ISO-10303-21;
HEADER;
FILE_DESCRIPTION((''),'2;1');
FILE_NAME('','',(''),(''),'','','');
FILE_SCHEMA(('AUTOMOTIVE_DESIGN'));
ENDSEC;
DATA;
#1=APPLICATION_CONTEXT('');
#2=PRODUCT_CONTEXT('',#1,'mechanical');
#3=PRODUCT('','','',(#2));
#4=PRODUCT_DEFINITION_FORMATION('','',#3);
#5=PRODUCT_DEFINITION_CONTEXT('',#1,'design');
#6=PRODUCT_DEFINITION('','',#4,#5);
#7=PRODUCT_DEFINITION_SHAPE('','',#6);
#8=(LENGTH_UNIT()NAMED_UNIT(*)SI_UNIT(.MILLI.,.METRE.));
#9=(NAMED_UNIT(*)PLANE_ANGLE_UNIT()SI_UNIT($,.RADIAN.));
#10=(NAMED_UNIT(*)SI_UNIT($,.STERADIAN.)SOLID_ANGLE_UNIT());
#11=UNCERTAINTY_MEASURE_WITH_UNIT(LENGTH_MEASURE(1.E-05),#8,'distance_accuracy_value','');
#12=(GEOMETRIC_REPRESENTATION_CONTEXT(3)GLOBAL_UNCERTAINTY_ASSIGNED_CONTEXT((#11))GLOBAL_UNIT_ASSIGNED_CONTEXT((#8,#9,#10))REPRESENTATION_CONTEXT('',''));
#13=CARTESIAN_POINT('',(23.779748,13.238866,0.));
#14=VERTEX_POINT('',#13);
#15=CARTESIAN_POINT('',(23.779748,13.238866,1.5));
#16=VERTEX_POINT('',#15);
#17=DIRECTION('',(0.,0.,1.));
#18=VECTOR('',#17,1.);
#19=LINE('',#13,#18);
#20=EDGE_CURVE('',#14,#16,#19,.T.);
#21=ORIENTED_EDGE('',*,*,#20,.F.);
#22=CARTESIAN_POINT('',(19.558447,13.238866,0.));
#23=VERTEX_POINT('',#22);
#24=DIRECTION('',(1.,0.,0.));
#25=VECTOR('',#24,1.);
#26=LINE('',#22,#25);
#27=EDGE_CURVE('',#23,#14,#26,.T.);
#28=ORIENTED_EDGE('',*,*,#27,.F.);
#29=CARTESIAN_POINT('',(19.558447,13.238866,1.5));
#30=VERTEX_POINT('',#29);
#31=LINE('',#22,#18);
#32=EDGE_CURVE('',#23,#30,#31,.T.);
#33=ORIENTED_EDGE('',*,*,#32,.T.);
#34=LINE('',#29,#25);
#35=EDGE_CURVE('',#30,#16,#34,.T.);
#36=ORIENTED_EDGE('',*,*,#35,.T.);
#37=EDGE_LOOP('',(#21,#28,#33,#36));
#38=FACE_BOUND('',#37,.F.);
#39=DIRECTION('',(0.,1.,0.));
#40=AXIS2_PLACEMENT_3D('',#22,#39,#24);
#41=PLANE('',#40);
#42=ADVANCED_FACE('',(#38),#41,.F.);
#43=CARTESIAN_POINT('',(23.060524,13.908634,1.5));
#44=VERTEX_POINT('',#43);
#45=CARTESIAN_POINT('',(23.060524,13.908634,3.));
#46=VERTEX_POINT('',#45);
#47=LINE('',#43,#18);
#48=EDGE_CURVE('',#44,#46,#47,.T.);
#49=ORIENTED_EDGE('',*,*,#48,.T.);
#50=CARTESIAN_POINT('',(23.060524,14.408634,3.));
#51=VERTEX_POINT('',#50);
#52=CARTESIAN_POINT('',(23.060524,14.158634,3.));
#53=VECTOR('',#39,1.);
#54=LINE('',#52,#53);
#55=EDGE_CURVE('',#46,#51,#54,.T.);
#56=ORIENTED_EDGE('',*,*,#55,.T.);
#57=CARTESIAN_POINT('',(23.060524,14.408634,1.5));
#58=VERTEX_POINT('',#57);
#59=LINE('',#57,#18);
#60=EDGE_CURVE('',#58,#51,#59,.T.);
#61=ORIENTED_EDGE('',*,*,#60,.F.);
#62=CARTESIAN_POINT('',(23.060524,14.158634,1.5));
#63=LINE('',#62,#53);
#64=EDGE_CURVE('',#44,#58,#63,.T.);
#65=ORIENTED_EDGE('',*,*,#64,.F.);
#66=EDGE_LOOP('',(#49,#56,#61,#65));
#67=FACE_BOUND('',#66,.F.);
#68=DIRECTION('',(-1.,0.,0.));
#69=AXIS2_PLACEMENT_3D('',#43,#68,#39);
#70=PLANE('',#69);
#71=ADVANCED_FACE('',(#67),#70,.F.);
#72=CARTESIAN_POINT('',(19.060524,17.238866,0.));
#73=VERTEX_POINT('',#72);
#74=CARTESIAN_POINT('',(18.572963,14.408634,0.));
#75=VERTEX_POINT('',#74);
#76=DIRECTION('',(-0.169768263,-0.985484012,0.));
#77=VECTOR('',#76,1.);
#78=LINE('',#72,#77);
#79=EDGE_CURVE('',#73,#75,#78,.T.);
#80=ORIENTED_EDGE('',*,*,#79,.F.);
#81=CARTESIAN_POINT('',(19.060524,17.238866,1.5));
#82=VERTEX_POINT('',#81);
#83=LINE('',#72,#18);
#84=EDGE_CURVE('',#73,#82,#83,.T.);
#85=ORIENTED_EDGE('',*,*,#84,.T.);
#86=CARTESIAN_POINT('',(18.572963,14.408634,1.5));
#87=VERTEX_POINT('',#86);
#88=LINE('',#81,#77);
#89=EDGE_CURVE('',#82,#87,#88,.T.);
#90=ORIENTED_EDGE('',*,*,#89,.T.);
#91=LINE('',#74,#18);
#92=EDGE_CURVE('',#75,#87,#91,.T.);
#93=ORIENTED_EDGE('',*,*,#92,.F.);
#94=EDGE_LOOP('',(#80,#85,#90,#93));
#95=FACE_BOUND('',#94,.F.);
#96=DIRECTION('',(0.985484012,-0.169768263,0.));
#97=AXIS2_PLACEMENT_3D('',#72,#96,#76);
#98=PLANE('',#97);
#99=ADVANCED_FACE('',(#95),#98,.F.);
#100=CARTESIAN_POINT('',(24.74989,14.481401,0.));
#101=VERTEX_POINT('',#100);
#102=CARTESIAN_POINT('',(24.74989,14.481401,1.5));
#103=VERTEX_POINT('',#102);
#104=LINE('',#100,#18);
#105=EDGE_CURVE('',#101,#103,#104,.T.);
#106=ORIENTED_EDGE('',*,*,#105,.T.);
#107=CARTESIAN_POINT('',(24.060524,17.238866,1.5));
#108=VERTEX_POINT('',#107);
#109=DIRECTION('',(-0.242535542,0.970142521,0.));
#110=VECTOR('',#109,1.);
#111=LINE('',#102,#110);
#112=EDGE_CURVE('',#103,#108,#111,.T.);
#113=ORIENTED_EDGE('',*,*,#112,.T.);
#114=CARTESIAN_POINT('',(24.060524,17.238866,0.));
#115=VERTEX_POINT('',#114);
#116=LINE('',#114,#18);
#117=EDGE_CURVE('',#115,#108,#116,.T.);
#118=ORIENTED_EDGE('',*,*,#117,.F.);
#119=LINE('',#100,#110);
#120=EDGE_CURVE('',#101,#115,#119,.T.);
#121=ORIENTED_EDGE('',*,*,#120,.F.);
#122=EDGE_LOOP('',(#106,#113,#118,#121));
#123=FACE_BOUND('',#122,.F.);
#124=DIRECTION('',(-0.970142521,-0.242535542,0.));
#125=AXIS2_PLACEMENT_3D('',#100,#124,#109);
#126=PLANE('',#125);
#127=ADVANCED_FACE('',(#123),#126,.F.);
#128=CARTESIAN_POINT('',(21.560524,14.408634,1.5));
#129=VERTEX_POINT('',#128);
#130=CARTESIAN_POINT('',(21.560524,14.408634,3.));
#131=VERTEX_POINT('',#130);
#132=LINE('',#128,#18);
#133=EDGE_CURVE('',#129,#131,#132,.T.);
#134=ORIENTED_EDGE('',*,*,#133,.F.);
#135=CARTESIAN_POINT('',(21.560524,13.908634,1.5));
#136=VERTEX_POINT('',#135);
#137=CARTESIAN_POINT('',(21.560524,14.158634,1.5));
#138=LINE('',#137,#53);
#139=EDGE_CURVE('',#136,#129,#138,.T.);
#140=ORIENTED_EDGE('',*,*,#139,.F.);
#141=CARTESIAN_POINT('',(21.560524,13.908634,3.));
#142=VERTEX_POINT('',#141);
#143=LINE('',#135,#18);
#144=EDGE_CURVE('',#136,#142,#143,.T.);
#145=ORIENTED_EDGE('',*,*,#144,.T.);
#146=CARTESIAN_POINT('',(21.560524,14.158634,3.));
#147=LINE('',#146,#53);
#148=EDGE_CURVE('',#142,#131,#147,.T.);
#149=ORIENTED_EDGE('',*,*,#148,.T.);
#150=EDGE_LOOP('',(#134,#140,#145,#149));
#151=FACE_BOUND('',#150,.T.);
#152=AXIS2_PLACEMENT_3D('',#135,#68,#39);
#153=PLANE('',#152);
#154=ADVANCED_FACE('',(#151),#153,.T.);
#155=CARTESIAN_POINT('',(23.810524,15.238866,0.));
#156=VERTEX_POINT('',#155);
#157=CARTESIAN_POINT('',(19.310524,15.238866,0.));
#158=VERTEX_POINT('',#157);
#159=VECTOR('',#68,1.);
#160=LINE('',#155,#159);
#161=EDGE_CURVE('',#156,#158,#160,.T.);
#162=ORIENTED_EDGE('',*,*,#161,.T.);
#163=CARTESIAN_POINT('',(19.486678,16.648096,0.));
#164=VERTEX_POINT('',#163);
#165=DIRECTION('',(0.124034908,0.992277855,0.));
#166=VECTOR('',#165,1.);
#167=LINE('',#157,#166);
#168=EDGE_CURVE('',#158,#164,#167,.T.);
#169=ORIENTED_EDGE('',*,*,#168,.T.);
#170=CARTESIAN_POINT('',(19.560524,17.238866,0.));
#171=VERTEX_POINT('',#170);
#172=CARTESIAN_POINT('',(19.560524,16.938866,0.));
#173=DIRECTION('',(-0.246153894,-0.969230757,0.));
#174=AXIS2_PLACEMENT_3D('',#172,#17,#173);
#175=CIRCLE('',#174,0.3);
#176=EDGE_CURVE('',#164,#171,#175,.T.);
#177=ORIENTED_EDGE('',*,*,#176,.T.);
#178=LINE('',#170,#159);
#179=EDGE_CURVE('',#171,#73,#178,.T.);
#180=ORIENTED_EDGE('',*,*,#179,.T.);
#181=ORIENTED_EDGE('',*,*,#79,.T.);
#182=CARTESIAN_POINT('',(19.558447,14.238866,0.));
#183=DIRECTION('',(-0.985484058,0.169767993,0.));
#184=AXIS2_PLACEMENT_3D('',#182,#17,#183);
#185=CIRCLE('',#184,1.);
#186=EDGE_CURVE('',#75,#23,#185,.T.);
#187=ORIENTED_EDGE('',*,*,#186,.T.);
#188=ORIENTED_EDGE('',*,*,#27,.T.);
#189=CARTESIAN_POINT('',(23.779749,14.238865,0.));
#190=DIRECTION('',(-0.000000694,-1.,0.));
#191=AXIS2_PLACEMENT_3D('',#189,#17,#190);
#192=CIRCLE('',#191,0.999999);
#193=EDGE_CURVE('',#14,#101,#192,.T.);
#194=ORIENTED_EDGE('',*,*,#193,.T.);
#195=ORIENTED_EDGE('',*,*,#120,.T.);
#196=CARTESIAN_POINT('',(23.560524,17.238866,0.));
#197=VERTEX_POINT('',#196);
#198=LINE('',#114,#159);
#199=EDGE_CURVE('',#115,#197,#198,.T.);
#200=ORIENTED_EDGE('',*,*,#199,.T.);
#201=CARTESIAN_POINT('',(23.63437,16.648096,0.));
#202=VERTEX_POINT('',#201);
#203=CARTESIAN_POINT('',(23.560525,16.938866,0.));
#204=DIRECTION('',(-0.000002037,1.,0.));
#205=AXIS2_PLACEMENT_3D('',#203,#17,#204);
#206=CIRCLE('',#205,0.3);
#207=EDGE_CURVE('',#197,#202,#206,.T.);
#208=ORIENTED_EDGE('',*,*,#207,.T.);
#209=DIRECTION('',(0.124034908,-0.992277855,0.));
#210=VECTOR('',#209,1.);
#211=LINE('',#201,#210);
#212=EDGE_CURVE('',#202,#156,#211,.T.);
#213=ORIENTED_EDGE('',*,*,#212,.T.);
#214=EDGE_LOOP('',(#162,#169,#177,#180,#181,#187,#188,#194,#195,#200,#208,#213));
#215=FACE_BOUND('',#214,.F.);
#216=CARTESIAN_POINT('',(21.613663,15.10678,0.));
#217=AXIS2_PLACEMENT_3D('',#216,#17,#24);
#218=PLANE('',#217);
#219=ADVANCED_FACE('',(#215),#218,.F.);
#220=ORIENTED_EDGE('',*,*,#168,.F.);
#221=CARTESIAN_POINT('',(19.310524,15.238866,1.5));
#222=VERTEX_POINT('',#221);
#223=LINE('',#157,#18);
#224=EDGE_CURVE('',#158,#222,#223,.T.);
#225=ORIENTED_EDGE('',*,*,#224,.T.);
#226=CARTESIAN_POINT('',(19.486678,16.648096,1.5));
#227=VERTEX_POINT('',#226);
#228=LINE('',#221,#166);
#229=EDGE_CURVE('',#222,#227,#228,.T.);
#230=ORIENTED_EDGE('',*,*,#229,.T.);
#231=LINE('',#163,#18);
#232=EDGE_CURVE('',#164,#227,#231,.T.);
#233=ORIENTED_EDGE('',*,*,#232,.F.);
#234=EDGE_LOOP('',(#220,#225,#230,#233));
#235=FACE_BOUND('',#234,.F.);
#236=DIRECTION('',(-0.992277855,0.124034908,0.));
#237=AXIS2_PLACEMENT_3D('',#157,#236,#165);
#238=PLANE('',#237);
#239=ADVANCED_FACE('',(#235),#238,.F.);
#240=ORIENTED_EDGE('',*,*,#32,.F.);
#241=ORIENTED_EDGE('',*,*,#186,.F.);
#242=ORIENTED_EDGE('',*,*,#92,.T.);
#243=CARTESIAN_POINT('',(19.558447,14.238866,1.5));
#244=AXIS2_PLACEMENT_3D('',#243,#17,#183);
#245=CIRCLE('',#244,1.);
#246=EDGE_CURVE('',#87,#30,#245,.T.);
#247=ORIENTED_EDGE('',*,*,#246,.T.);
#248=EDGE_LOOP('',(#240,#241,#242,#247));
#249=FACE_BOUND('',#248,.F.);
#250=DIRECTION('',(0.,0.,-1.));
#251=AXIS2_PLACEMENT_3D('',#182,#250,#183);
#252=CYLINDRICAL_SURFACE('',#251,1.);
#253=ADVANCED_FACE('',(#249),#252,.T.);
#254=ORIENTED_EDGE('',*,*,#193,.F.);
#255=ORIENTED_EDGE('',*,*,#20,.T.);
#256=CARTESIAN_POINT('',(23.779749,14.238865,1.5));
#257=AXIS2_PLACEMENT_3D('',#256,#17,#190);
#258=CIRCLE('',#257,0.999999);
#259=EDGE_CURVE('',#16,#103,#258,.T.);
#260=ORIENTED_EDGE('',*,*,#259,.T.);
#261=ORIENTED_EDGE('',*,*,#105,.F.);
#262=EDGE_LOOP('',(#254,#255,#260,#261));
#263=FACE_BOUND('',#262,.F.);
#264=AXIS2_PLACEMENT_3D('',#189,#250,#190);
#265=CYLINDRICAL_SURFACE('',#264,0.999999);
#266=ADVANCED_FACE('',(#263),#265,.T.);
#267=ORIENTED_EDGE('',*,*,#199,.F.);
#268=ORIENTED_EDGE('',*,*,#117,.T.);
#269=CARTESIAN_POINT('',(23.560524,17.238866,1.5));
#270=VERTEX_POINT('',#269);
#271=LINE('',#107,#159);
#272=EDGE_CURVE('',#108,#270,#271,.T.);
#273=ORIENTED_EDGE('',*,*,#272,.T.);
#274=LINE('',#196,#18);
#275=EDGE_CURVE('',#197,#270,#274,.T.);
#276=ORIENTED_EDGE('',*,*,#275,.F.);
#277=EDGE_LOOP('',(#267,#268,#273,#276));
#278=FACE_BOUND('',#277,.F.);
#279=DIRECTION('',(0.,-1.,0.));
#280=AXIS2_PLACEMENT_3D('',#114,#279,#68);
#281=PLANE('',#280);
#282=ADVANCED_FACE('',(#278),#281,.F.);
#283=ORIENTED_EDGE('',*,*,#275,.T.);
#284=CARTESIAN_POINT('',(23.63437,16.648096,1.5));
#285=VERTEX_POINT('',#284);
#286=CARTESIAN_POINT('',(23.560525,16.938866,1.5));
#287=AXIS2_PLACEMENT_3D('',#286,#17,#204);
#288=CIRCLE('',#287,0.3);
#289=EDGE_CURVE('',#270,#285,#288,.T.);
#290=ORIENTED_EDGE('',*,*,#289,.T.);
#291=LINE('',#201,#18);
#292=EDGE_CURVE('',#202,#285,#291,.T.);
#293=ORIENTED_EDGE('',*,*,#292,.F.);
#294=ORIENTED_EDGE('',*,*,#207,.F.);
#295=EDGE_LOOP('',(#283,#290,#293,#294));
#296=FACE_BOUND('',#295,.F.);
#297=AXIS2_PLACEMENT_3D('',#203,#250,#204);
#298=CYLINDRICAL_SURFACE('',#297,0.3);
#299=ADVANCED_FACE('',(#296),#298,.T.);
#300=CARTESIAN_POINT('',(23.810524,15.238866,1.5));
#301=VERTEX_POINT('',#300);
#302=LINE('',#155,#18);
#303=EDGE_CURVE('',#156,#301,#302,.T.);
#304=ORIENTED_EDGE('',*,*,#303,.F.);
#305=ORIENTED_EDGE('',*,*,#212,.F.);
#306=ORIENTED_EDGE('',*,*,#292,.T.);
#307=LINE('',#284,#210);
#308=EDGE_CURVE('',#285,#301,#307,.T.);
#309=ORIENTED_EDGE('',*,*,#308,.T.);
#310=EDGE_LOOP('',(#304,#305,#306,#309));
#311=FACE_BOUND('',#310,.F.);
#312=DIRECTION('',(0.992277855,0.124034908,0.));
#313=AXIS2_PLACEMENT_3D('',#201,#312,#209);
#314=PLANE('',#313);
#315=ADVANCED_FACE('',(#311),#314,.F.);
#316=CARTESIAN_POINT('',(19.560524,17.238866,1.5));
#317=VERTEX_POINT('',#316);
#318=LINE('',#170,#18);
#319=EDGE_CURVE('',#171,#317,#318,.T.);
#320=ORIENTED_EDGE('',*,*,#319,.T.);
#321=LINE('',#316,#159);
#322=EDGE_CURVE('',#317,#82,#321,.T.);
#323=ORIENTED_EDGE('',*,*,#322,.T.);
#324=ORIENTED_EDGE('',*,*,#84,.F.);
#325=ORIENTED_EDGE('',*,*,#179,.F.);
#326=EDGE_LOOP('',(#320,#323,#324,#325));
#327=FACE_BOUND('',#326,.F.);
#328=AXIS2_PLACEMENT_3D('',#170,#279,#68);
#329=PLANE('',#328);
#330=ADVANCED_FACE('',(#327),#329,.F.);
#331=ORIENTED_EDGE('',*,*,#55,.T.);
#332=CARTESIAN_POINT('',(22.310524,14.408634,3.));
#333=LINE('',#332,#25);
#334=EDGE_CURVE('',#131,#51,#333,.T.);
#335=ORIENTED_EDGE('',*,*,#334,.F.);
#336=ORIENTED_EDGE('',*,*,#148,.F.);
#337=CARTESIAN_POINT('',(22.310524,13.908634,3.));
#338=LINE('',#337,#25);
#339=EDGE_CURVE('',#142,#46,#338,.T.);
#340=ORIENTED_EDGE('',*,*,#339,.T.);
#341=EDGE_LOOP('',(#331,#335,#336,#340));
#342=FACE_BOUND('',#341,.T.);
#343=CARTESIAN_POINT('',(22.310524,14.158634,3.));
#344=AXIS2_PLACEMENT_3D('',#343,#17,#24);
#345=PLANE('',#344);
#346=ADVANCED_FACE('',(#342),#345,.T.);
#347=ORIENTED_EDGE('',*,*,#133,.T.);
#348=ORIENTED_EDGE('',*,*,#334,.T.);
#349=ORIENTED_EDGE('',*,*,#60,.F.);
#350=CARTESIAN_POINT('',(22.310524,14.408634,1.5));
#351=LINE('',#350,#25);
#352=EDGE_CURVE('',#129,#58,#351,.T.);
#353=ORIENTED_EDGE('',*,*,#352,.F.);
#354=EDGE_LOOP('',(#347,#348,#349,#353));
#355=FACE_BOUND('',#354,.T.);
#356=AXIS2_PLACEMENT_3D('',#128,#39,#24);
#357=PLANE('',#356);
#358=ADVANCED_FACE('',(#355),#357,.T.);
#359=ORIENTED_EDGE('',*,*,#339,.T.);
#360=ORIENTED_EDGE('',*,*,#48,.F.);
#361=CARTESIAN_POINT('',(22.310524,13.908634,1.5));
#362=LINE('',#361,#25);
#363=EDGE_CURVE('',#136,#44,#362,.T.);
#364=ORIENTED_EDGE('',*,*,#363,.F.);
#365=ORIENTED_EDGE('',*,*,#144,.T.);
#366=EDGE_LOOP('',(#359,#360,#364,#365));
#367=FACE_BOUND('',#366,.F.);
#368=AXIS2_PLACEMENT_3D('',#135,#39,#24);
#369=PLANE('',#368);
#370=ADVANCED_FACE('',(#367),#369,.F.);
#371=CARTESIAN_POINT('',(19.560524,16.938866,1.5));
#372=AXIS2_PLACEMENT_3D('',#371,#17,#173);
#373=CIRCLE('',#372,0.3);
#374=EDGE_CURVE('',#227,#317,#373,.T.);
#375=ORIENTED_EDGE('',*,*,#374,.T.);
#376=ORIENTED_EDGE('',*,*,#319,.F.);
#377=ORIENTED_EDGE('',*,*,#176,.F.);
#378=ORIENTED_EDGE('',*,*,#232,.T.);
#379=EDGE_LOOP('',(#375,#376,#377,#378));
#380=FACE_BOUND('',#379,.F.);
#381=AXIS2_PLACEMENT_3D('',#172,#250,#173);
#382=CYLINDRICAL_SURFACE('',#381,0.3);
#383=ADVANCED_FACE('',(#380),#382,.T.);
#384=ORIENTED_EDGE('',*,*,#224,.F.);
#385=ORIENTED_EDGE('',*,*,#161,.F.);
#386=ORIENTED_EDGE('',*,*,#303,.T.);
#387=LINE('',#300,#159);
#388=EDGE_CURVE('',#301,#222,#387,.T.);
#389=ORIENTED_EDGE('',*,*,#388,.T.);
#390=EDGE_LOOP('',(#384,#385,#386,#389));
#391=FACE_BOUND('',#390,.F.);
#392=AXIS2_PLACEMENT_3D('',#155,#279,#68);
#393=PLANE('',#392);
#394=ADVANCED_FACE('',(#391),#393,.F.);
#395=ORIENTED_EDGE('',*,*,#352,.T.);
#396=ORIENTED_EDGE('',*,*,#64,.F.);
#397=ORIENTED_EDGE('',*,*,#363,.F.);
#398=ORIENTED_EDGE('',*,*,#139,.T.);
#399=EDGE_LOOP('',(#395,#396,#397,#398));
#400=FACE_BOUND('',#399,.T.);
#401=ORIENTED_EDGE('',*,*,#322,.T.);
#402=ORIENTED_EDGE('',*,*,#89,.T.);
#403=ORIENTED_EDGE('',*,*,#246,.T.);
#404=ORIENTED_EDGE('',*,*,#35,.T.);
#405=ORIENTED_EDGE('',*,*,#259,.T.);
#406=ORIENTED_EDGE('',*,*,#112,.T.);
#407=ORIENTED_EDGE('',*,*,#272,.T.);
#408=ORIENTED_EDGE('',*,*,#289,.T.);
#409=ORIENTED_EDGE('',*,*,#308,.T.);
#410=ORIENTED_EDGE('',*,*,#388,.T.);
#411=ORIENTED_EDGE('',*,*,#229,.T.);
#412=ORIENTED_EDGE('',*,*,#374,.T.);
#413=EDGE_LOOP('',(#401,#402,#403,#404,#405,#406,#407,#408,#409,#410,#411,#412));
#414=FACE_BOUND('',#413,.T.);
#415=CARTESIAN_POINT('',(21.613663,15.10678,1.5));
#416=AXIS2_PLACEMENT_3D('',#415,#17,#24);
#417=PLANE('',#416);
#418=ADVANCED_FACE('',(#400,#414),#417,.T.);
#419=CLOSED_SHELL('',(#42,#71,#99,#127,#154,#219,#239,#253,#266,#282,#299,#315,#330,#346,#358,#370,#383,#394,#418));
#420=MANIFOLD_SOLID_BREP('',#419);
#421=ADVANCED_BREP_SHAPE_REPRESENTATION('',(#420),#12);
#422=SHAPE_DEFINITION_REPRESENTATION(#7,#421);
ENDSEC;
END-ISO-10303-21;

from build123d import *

# Parameters (mm, degrees)
F1_DEPTH = 1.5
F2_W     = 1.5
F2_H     = 0.5
F3_DEPTH = 1.5


with BuildPart() as f1:
    # F0 (on Top) → F1 (new body)
    with BuildSketch(Plane.XY):
        with BuildLine():
            Line((19.310524, 15.238866), (19.486678, 16.648096))
            ThreePointArc((19.486678, 16.648096), (19.858208, 16.901655), (19.560524, 17.238866))
            Line((19.560524, 17.238866), (19.060524, 17.238866))
            Line((19.060524, 17.238866), (18.572963, 14.408634))
            ThreePointArc((18.572963, 14.408634), (18.79367, 13.594571), (19.558447, 13.238866))
            Line((19.558447, 13.238866), (23.779748, 13.238866))
            ThreePointArc((23.779748, 13.238866), (24.567953, 13.623453), (24.74989, 14.481401))
            Line((24.74989, 14.481401), (24.060524, 17.238866))
            Line((24.060524, 17.238866), (23.560524, 17.238866))
            ThreePointArc((23.560524, 17.238866), (23.262841, 16.901655), (23.63437, 16.648096))
            Line((23.63437, 16.648096), (23.810524, 15.238866))
            Line((23.810524, 15.238866), (19.310524, 15.238866))
        make_face()
    extrude(amount=F1_DEPTH)

    # F2 (on face) → F3 (join)
    with BuildSketch(Plane.XY.offset(1.5)):
        with Locations((22.310524, 14.158634)):
            Rectangle(F2_W, F2_H)
    extrude(amount=F3_DEPTH)


solid = f1.part
